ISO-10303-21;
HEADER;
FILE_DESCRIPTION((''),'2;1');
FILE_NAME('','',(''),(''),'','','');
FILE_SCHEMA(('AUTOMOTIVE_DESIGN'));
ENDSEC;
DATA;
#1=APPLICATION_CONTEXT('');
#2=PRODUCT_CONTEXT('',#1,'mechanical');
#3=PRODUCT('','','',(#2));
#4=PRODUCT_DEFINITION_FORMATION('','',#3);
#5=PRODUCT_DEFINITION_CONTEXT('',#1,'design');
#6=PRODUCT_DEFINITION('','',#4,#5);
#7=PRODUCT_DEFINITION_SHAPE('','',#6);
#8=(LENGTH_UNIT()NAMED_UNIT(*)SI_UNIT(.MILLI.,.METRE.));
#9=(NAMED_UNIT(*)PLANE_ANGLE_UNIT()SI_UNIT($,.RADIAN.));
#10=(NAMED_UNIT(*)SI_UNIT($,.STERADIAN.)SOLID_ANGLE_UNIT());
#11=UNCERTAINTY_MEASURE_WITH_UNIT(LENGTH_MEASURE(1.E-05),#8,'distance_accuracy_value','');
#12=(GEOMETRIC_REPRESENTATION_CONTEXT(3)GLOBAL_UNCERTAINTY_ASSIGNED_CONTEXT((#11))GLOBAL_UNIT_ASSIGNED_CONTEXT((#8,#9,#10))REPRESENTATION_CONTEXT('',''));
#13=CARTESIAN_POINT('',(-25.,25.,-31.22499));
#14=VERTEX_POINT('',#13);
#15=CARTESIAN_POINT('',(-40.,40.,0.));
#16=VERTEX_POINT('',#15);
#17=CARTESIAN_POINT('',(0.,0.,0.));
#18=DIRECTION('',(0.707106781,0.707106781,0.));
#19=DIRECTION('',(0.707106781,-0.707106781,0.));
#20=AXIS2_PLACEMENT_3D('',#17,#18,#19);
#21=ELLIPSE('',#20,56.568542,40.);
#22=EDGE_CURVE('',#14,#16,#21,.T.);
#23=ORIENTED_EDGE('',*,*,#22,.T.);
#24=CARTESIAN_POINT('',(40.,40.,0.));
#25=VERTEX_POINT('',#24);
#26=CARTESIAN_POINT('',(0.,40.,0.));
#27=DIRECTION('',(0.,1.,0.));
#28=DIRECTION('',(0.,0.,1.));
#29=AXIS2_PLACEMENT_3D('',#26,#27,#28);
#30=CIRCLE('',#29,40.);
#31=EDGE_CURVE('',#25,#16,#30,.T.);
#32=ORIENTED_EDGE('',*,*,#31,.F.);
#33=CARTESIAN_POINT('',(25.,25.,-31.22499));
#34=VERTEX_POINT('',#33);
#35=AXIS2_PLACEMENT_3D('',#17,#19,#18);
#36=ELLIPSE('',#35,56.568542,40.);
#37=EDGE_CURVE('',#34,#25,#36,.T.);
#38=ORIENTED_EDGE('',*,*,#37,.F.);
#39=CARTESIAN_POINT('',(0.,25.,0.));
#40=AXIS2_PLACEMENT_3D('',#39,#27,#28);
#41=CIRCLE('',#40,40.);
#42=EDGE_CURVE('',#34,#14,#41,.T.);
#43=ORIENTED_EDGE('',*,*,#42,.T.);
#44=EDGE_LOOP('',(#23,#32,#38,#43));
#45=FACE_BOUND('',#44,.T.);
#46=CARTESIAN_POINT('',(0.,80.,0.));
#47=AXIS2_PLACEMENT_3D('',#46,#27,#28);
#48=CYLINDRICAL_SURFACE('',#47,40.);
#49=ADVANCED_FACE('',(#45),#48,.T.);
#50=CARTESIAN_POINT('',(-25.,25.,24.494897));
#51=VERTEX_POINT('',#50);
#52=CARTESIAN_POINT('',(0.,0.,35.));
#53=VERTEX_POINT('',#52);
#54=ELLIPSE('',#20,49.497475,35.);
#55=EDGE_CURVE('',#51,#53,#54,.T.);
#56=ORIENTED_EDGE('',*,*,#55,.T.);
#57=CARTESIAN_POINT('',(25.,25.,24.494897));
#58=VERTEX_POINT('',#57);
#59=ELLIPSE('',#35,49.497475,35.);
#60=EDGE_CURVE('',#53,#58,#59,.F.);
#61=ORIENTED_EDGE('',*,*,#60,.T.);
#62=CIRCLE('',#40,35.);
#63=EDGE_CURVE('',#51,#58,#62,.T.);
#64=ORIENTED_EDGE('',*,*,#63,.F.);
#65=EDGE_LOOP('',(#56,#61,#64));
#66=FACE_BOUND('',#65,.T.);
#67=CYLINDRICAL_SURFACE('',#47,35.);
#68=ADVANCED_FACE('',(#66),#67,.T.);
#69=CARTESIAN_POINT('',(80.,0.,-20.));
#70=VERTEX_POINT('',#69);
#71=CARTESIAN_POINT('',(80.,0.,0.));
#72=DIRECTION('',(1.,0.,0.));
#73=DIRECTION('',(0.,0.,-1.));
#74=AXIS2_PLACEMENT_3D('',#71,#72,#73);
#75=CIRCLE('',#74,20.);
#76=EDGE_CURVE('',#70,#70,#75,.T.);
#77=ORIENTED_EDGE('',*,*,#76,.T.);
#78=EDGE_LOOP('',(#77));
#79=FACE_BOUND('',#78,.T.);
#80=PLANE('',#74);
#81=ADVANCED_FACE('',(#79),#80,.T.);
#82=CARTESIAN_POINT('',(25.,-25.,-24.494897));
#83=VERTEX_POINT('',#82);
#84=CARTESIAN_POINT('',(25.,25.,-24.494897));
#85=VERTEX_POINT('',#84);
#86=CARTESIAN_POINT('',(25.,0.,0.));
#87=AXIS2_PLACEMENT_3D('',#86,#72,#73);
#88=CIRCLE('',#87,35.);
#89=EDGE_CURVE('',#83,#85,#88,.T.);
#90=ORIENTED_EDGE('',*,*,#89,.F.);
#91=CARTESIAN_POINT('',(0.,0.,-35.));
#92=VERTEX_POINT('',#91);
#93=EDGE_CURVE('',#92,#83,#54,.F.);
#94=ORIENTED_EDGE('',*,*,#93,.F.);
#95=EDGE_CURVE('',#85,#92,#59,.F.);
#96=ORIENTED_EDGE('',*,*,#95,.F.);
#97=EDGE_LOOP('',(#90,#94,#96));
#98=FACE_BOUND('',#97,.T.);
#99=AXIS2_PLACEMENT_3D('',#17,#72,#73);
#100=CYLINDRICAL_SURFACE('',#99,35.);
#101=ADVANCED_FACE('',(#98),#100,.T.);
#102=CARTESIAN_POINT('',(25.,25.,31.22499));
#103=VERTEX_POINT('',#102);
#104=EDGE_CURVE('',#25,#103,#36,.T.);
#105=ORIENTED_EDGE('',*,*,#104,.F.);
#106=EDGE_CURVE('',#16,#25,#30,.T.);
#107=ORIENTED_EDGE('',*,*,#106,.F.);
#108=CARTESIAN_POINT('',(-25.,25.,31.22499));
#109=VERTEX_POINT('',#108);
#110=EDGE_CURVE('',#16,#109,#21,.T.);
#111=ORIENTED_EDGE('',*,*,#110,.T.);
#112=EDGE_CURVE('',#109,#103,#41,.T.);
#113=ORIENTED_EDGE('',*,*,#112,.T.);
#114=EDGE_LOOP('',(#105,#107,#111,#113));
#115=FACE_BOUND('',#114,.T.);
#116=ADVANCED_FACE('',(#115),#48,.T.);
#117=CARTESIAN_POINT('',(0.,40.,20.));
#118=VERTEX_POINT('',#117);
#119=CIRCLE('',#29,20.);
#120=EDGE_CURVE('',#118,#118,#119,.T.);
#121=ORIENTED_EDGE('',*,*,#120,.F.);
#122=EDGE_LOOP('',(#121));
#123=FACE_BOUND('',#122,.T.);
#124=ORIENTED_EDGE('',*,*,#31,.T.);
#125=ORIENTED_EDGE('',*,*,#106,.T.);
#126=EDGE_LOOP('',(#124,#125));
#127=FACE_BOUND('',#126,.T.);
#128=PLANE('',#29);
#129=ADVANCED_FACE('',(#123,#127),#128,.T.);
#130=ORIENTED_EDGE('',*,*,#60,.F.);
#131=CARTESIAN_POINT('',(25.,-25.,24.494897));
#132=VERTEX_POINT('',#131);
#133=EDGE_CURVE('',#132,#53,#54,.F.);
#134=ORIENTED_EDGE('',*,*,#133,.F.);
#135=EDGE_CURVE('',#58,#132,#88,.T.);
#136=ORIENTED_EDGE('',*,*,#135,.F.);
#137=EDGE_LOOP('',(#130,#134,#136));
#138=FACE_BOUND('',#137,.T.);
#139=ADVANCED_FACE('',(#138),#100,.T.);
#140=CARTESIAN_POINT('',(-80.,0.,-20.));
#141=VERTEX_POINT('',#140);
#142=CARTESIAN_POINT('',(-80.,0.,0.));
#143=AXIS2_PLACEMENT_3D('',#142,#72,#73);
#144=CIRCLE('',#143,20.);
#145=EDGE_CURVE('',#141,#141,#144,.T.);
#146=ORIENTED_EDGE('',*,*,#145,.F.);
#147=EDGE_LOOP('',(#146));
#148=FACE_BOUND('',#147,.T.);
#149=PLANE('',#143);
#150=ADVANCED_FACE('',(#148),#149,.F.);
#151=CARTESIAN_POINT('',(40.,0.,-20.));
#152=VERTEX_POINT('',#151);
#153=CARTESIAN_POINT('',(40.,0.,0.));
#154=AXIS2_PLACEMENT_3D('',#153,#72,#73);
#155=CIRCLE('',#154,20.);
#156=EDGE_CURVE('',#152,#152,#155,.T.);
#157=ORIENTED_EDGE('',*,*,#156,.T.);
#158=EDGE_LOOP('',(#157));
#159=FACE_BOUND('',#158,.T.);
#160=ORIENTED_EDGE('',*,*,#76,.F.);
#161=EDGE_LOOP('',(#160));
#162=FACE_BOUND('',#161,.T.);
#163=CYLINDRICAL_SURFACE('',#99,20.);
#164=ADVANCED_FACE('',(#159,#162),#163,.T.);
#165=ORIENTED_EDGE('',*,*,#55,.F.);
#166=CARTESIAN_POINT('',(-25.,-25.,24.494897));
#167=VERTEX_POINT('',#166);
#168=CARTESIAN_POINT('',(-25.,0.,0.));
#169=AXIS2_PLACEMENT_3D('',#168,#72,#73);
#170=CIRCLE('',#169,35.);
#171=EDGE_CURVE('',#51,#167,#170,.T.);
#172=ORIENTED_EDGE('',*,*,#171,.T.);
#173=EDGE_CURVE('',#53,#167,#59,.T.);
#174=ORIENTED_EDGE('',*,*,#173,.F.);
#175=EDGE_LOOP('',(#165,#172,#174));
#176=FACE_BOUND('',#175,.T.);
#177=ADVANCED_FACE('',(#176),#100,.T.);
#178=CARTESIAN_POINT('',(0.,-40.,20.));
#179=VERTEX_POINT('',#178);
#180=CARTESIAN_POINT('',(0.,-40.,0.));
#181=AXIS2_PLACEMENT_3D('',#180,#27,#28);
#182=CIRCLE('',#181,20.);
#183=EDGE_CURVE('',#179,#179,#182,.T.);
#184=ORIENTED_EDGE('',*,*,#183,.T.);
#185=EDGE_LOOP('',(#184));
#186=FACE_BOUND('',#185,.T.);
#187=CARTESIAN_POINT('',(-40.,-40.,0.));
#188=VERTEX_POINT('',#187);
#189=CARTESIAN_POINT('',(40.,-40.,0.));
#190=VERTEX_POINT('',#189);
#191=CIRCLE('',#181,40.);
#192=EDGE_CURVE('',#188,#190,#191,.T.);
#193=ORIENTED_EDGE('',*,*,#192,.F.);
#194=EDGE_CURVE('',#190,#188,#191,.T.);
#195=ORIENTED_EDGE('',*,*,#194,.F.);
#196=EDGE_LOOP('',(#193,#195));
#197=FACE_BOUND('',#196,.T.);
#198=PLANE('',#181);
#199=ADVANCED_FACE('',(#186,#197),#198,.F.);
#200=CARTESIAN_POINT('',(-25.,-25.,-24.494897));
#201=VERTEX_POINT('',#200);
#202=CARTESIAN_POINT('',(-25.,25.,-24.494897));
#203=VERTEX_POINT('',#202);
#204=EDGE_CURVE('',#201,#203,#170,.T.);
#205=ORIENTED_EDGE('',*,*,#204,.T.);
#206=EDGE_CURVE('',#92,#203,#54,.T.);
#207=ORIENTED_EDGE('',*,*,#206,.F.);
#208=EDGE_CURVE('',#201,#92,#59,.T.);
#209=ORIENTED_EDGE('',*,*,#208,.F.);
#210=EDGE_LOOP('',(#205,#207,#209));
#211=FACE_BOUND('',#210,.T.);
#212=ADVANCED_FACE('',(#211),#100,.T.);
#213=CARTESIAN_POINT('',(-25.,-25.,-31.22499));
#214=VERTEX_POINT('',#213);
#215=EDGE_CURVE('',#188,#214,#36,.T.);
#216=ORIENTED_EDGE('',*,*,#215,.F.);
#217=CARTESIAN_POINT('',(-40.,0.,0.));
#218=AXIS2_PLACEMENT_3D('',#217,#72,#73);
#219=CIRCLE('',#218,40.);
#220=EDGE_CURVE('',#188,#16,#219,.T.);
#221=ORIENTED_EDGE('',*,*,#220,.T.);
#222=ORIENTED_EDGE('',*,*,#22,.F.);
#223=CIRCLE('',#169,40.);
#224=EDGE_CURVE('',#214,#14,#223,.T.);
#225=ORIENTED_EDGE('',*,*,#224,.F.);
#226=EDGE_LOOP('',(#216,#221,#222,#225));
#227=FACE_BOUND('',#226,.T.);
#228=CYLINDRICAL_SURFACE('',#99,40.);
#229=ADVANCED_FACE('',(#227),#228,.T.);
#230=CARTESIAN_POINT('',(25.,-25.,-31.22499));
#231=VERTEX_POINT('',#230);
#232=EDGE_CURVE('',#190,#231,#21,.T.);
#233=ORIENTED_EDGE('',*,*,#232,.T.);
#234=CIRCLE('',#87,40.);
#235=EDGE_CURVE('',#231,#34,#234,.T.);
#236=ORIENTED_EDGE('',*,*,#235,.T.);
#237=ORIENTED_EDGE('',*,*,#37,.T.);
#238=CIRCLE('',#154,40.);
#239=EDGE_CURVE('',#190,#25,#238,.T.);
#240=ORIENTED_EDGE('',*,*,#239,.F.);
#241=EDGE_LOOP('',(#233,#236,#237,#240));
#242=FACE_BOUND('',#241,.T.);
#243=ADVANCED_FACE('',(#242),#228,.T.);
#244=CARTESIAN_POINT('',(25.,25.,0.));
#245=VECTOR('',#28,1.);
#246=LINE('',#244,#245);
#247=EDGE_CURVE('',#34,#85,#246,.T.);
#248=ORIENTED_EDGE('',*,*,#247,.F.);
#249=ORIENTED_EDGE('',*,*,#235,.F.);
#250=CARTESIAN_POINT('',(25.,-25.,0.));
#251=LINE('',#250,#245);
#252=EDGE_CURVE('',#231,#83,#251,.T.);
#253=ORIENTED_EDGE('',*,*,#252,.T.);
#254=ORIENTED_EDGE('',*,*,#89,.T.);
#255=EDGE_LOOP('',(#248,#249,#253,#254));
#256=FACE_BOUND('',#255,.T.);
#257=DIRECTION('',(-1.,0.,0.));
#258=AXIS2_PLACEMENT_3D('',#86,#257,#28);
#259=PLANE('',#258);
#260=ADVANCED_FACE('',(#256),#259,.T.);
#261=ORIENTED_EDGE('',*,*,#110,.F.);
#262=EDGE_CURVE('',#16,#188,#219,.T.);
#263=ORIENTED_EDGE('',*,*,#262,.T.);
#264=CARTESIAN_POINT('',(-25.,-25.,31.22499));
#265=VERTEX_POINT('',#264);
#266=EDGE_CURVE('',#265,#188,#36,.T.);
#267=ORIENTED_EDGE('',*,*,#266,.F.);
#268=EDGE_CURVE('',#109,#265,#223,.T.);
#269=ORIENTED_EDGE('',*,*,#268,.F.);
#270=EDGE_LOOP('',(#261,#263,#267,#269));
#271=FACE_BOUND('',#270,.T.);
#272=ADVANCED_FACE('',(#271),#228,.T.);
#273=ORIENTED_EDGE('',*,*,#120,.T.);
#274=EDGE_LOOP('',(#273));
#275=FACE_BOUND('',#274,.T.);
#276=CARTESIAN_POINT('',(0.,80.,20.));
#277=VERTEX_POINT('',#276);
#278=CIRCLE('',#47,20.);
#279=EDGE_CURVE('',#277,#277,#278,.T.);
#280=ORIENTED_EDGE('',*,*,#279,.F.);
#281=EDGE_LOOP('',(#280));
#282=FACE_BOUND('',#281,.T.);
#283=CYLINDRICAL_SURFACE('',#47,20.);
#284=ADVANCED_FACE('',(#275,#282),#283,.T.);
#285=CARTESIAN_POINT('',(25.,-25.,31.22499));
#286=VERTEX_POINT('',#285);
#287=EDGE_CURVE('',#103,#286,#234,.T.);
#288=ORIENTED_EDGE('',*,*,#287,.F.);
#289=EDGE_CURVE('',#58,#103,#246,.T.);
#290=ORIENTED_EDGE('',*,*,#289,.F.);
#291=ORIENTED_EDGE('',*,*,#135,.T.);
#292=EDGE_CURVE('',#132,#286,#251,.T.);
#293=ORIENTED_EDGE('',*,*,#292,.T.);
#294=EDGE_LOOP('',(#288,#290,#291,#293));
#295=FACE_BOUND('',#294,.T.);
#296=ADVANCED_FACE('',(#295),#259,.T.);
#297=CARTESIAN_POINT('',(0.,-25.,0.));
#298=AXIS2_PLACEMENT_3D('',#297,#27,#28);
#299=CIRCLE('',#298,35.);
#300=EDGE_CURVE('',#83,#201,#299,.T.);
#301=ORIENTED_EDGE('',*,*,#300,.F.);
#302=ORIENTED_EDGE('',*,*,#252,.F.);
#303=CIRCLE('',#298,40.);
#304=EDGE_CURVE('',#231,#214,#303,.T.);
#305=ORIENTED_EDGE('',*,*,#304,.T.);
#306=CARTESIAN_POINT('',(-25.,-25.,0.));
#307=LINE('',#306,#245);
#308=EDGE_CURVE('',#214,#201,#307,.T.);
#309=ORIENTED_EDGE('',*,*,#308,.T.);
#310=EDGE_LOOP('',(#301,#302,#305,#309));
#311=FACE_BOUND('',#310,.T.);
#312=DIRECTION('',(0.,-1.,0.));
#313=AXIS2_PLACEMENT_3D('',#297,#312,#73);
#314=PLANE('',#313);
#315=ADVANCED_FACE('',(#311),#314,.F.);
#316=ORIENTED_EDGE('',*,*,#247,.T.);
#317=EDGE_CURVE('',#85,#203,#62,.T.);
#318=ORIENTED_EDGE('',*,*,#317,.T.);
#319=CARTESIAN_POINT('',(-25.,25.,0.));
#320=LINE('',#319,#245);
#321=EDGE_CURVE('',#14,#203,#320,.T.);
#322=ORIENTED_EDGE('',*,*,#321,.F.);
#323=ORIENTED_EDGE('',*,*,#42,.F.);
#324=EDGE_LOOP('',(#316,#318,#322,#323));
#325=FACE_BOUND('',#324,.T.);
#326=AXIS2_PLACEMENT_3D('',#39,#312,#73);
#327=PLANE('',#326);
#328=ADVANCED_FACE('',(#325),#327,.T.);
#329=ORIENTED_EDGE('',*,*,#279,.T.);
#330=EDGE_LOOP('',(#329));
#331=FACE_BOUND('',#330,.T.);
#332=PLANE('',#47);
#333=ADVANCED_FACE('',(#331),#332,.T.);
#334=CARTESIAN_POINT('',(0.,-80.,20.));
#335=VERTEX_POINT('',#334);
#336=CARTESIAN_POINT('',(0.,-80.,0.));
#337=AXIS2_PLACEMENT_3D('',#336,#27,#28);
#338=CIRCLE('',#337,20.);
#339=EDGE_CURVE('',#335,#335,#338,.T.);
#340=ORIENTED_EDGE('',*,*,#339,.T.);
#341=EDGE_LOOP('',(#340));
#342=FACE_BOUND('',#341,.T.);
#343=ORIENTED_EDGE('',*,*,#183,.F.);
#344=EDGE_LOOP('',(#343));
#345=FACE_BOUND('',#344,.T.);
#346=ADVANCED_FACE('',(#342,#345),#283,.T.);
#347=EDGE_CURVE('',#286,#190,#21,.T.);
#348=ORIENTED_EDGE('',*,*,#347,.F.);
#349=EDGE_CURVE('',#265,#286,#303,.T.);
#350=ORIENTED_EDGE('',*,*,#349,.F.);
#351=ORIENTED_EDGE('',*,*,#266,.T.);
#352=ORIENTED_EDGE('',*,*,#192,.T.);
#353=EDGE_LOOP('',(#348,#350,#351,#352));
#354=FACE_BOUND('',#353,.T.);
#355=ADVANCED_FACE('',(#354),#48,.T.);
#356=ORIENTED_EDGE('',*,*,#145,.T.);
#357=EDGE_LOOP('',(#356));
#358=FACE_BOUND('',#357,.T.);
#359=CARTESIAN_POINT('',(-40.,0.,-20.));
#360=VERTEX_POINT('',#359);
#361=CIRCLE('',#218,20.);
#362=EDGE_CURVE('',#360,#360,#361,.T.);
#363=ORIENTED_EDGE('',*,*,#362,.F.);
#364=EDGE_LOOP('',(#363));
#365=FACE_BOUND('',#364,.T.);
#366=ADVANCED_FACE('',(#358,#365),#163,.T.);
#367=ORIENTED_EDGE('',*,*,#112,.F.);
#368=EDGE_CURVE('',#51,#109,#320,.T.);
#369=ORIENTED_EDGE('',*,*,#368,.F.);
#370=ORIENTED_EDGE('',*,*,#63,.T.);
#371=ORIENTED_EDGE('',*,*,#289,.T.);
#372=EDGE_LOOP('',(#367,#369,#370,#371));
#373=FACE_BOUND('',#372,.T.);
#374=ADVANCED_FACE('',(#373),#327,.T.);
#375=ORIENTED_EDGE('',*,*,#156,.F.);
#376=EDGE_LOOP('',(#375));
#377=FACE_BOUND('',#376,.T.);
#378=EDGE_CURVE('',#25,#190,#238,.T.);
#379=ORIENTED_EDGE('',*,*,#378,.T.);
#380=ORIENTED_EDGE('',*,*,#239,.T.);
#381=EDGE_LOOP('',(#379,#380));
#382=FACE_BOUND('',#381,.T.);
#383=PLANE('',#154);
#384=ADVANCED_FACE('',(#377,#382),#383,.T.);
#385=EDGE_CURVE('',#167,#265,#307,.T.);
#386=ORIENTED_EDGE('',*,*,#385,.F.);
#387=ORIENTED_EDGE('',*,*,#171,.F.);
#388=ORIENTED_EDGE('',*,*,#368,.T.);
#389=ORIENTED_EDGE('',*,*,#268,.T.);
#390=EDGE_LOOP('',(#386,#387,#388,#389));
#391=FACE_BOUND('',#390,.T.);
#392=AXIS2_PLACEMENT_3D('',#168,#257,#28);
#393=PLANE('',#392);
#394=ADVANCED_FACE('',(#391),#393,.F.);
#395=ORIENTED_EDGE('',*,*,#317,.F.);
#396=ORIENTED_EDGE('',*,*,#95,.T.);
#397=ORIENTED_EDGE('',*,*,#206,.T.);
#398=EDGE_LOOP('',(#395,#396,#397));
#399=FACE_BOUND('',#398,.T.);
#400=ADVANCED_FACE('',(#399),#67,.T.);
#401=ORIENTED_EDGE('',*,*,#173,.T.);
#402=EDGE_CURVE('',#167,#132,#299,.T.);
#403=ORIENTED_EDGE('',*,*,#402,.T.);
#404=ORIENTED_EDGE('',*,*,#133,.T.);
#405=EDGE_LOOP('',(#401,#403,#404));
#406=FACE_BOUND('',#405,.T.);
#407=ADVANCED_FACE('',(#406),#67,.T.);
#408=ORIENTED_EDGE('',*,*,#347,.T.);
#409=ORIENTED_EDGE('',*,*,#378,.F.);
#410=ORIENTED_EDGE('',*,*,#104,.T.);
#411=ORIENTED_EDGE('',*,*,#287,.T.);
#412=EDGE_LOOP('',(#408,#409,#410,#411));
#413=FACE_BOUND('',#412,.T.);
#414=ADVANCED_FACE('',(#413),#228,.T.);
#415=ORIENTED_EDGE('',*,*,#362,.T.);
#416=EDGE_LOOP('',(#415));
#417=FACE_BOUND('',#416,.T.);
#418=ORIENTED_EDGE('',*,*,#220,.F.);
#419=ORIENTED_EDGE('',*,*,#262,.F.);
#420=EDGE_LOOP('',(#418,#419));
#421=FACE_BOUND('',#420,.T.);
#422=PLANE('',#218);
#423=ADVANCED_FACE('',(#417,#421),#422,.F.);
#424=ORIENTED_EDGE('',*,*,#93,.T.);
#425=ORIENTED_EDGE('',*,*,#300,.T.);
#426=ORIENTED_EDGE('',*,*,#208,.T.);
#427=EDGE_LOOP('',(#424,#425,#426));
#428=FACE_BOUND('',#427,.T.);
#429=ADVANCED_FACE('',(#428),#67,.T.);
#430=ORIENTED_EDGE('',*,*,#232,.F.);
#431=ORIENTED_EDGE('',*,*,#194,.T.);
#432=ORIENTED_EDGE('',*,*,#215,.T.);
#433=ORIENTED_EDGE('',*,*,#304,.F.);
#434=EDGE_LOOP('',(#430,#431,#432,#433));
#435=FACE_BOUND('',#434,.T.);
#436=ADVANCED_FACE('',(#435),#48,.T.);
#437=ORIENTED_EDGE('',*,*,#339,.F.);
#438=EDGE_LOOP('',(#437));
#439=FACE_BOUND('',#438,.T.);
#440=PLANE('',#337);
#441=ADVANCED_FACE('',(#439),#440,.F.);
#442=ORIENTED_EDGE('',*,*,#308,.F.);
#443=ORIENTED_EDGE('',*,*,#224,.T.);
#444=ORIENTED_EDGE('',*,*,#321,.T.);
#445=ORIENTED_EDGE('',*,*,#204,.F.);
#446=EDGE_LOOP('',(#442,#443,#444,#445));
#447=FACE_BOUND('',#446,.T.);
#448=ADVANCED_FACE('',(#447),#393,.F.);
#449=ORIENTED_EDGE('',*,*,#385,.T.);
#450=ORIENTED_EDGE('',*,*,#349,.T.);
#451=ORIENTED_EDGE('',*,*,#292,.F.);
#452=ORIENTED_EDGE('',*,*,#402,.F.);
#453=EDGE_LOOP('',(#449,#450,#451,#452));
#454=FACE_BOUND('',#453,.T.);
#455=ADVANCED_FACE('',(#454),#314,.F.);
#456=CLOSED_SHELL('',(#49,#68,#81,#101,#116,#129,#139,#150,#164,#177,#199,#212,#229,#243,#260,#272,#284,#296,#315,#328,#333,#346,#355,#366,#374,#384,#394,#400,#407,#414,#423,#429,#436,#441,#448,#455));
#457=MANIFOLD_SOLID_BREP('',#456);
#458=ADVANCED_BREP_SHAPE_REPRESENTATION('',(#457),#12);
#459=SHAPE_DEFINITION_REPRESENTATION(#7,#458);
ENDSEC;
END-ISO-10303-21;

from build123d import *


with BuildPart() as part:
    # Sketch1 → Revolve1 (revolve)
    with BuildSketch(Plane.XY):
        Polygon((-80, 20), (-80, 0), (80, 0), (80, 20), (40, 20), (40, 40), (25, 40), (25, 35), (-25, 35), (-25, 40), (-40, 40), (-40, 20), align=None)
    revolve(axis=Axis((0, 0, 0), (-1, 0, 0)))

    # Sketch1<4> → Revolve3 (revolve)
    with BuildSketch(Plane.XY):
        Polygon((0, -80), (20, -80), (20, -40), (40, -40), (40, -25), (35, -25), (35, 25), (40, 25), (40, 40), (20, 40), (20, 80), (0, 80), align=None)
    revolve(axis=Axis((0, 80, 0), (0, -1, 0)))


solid = part.part
